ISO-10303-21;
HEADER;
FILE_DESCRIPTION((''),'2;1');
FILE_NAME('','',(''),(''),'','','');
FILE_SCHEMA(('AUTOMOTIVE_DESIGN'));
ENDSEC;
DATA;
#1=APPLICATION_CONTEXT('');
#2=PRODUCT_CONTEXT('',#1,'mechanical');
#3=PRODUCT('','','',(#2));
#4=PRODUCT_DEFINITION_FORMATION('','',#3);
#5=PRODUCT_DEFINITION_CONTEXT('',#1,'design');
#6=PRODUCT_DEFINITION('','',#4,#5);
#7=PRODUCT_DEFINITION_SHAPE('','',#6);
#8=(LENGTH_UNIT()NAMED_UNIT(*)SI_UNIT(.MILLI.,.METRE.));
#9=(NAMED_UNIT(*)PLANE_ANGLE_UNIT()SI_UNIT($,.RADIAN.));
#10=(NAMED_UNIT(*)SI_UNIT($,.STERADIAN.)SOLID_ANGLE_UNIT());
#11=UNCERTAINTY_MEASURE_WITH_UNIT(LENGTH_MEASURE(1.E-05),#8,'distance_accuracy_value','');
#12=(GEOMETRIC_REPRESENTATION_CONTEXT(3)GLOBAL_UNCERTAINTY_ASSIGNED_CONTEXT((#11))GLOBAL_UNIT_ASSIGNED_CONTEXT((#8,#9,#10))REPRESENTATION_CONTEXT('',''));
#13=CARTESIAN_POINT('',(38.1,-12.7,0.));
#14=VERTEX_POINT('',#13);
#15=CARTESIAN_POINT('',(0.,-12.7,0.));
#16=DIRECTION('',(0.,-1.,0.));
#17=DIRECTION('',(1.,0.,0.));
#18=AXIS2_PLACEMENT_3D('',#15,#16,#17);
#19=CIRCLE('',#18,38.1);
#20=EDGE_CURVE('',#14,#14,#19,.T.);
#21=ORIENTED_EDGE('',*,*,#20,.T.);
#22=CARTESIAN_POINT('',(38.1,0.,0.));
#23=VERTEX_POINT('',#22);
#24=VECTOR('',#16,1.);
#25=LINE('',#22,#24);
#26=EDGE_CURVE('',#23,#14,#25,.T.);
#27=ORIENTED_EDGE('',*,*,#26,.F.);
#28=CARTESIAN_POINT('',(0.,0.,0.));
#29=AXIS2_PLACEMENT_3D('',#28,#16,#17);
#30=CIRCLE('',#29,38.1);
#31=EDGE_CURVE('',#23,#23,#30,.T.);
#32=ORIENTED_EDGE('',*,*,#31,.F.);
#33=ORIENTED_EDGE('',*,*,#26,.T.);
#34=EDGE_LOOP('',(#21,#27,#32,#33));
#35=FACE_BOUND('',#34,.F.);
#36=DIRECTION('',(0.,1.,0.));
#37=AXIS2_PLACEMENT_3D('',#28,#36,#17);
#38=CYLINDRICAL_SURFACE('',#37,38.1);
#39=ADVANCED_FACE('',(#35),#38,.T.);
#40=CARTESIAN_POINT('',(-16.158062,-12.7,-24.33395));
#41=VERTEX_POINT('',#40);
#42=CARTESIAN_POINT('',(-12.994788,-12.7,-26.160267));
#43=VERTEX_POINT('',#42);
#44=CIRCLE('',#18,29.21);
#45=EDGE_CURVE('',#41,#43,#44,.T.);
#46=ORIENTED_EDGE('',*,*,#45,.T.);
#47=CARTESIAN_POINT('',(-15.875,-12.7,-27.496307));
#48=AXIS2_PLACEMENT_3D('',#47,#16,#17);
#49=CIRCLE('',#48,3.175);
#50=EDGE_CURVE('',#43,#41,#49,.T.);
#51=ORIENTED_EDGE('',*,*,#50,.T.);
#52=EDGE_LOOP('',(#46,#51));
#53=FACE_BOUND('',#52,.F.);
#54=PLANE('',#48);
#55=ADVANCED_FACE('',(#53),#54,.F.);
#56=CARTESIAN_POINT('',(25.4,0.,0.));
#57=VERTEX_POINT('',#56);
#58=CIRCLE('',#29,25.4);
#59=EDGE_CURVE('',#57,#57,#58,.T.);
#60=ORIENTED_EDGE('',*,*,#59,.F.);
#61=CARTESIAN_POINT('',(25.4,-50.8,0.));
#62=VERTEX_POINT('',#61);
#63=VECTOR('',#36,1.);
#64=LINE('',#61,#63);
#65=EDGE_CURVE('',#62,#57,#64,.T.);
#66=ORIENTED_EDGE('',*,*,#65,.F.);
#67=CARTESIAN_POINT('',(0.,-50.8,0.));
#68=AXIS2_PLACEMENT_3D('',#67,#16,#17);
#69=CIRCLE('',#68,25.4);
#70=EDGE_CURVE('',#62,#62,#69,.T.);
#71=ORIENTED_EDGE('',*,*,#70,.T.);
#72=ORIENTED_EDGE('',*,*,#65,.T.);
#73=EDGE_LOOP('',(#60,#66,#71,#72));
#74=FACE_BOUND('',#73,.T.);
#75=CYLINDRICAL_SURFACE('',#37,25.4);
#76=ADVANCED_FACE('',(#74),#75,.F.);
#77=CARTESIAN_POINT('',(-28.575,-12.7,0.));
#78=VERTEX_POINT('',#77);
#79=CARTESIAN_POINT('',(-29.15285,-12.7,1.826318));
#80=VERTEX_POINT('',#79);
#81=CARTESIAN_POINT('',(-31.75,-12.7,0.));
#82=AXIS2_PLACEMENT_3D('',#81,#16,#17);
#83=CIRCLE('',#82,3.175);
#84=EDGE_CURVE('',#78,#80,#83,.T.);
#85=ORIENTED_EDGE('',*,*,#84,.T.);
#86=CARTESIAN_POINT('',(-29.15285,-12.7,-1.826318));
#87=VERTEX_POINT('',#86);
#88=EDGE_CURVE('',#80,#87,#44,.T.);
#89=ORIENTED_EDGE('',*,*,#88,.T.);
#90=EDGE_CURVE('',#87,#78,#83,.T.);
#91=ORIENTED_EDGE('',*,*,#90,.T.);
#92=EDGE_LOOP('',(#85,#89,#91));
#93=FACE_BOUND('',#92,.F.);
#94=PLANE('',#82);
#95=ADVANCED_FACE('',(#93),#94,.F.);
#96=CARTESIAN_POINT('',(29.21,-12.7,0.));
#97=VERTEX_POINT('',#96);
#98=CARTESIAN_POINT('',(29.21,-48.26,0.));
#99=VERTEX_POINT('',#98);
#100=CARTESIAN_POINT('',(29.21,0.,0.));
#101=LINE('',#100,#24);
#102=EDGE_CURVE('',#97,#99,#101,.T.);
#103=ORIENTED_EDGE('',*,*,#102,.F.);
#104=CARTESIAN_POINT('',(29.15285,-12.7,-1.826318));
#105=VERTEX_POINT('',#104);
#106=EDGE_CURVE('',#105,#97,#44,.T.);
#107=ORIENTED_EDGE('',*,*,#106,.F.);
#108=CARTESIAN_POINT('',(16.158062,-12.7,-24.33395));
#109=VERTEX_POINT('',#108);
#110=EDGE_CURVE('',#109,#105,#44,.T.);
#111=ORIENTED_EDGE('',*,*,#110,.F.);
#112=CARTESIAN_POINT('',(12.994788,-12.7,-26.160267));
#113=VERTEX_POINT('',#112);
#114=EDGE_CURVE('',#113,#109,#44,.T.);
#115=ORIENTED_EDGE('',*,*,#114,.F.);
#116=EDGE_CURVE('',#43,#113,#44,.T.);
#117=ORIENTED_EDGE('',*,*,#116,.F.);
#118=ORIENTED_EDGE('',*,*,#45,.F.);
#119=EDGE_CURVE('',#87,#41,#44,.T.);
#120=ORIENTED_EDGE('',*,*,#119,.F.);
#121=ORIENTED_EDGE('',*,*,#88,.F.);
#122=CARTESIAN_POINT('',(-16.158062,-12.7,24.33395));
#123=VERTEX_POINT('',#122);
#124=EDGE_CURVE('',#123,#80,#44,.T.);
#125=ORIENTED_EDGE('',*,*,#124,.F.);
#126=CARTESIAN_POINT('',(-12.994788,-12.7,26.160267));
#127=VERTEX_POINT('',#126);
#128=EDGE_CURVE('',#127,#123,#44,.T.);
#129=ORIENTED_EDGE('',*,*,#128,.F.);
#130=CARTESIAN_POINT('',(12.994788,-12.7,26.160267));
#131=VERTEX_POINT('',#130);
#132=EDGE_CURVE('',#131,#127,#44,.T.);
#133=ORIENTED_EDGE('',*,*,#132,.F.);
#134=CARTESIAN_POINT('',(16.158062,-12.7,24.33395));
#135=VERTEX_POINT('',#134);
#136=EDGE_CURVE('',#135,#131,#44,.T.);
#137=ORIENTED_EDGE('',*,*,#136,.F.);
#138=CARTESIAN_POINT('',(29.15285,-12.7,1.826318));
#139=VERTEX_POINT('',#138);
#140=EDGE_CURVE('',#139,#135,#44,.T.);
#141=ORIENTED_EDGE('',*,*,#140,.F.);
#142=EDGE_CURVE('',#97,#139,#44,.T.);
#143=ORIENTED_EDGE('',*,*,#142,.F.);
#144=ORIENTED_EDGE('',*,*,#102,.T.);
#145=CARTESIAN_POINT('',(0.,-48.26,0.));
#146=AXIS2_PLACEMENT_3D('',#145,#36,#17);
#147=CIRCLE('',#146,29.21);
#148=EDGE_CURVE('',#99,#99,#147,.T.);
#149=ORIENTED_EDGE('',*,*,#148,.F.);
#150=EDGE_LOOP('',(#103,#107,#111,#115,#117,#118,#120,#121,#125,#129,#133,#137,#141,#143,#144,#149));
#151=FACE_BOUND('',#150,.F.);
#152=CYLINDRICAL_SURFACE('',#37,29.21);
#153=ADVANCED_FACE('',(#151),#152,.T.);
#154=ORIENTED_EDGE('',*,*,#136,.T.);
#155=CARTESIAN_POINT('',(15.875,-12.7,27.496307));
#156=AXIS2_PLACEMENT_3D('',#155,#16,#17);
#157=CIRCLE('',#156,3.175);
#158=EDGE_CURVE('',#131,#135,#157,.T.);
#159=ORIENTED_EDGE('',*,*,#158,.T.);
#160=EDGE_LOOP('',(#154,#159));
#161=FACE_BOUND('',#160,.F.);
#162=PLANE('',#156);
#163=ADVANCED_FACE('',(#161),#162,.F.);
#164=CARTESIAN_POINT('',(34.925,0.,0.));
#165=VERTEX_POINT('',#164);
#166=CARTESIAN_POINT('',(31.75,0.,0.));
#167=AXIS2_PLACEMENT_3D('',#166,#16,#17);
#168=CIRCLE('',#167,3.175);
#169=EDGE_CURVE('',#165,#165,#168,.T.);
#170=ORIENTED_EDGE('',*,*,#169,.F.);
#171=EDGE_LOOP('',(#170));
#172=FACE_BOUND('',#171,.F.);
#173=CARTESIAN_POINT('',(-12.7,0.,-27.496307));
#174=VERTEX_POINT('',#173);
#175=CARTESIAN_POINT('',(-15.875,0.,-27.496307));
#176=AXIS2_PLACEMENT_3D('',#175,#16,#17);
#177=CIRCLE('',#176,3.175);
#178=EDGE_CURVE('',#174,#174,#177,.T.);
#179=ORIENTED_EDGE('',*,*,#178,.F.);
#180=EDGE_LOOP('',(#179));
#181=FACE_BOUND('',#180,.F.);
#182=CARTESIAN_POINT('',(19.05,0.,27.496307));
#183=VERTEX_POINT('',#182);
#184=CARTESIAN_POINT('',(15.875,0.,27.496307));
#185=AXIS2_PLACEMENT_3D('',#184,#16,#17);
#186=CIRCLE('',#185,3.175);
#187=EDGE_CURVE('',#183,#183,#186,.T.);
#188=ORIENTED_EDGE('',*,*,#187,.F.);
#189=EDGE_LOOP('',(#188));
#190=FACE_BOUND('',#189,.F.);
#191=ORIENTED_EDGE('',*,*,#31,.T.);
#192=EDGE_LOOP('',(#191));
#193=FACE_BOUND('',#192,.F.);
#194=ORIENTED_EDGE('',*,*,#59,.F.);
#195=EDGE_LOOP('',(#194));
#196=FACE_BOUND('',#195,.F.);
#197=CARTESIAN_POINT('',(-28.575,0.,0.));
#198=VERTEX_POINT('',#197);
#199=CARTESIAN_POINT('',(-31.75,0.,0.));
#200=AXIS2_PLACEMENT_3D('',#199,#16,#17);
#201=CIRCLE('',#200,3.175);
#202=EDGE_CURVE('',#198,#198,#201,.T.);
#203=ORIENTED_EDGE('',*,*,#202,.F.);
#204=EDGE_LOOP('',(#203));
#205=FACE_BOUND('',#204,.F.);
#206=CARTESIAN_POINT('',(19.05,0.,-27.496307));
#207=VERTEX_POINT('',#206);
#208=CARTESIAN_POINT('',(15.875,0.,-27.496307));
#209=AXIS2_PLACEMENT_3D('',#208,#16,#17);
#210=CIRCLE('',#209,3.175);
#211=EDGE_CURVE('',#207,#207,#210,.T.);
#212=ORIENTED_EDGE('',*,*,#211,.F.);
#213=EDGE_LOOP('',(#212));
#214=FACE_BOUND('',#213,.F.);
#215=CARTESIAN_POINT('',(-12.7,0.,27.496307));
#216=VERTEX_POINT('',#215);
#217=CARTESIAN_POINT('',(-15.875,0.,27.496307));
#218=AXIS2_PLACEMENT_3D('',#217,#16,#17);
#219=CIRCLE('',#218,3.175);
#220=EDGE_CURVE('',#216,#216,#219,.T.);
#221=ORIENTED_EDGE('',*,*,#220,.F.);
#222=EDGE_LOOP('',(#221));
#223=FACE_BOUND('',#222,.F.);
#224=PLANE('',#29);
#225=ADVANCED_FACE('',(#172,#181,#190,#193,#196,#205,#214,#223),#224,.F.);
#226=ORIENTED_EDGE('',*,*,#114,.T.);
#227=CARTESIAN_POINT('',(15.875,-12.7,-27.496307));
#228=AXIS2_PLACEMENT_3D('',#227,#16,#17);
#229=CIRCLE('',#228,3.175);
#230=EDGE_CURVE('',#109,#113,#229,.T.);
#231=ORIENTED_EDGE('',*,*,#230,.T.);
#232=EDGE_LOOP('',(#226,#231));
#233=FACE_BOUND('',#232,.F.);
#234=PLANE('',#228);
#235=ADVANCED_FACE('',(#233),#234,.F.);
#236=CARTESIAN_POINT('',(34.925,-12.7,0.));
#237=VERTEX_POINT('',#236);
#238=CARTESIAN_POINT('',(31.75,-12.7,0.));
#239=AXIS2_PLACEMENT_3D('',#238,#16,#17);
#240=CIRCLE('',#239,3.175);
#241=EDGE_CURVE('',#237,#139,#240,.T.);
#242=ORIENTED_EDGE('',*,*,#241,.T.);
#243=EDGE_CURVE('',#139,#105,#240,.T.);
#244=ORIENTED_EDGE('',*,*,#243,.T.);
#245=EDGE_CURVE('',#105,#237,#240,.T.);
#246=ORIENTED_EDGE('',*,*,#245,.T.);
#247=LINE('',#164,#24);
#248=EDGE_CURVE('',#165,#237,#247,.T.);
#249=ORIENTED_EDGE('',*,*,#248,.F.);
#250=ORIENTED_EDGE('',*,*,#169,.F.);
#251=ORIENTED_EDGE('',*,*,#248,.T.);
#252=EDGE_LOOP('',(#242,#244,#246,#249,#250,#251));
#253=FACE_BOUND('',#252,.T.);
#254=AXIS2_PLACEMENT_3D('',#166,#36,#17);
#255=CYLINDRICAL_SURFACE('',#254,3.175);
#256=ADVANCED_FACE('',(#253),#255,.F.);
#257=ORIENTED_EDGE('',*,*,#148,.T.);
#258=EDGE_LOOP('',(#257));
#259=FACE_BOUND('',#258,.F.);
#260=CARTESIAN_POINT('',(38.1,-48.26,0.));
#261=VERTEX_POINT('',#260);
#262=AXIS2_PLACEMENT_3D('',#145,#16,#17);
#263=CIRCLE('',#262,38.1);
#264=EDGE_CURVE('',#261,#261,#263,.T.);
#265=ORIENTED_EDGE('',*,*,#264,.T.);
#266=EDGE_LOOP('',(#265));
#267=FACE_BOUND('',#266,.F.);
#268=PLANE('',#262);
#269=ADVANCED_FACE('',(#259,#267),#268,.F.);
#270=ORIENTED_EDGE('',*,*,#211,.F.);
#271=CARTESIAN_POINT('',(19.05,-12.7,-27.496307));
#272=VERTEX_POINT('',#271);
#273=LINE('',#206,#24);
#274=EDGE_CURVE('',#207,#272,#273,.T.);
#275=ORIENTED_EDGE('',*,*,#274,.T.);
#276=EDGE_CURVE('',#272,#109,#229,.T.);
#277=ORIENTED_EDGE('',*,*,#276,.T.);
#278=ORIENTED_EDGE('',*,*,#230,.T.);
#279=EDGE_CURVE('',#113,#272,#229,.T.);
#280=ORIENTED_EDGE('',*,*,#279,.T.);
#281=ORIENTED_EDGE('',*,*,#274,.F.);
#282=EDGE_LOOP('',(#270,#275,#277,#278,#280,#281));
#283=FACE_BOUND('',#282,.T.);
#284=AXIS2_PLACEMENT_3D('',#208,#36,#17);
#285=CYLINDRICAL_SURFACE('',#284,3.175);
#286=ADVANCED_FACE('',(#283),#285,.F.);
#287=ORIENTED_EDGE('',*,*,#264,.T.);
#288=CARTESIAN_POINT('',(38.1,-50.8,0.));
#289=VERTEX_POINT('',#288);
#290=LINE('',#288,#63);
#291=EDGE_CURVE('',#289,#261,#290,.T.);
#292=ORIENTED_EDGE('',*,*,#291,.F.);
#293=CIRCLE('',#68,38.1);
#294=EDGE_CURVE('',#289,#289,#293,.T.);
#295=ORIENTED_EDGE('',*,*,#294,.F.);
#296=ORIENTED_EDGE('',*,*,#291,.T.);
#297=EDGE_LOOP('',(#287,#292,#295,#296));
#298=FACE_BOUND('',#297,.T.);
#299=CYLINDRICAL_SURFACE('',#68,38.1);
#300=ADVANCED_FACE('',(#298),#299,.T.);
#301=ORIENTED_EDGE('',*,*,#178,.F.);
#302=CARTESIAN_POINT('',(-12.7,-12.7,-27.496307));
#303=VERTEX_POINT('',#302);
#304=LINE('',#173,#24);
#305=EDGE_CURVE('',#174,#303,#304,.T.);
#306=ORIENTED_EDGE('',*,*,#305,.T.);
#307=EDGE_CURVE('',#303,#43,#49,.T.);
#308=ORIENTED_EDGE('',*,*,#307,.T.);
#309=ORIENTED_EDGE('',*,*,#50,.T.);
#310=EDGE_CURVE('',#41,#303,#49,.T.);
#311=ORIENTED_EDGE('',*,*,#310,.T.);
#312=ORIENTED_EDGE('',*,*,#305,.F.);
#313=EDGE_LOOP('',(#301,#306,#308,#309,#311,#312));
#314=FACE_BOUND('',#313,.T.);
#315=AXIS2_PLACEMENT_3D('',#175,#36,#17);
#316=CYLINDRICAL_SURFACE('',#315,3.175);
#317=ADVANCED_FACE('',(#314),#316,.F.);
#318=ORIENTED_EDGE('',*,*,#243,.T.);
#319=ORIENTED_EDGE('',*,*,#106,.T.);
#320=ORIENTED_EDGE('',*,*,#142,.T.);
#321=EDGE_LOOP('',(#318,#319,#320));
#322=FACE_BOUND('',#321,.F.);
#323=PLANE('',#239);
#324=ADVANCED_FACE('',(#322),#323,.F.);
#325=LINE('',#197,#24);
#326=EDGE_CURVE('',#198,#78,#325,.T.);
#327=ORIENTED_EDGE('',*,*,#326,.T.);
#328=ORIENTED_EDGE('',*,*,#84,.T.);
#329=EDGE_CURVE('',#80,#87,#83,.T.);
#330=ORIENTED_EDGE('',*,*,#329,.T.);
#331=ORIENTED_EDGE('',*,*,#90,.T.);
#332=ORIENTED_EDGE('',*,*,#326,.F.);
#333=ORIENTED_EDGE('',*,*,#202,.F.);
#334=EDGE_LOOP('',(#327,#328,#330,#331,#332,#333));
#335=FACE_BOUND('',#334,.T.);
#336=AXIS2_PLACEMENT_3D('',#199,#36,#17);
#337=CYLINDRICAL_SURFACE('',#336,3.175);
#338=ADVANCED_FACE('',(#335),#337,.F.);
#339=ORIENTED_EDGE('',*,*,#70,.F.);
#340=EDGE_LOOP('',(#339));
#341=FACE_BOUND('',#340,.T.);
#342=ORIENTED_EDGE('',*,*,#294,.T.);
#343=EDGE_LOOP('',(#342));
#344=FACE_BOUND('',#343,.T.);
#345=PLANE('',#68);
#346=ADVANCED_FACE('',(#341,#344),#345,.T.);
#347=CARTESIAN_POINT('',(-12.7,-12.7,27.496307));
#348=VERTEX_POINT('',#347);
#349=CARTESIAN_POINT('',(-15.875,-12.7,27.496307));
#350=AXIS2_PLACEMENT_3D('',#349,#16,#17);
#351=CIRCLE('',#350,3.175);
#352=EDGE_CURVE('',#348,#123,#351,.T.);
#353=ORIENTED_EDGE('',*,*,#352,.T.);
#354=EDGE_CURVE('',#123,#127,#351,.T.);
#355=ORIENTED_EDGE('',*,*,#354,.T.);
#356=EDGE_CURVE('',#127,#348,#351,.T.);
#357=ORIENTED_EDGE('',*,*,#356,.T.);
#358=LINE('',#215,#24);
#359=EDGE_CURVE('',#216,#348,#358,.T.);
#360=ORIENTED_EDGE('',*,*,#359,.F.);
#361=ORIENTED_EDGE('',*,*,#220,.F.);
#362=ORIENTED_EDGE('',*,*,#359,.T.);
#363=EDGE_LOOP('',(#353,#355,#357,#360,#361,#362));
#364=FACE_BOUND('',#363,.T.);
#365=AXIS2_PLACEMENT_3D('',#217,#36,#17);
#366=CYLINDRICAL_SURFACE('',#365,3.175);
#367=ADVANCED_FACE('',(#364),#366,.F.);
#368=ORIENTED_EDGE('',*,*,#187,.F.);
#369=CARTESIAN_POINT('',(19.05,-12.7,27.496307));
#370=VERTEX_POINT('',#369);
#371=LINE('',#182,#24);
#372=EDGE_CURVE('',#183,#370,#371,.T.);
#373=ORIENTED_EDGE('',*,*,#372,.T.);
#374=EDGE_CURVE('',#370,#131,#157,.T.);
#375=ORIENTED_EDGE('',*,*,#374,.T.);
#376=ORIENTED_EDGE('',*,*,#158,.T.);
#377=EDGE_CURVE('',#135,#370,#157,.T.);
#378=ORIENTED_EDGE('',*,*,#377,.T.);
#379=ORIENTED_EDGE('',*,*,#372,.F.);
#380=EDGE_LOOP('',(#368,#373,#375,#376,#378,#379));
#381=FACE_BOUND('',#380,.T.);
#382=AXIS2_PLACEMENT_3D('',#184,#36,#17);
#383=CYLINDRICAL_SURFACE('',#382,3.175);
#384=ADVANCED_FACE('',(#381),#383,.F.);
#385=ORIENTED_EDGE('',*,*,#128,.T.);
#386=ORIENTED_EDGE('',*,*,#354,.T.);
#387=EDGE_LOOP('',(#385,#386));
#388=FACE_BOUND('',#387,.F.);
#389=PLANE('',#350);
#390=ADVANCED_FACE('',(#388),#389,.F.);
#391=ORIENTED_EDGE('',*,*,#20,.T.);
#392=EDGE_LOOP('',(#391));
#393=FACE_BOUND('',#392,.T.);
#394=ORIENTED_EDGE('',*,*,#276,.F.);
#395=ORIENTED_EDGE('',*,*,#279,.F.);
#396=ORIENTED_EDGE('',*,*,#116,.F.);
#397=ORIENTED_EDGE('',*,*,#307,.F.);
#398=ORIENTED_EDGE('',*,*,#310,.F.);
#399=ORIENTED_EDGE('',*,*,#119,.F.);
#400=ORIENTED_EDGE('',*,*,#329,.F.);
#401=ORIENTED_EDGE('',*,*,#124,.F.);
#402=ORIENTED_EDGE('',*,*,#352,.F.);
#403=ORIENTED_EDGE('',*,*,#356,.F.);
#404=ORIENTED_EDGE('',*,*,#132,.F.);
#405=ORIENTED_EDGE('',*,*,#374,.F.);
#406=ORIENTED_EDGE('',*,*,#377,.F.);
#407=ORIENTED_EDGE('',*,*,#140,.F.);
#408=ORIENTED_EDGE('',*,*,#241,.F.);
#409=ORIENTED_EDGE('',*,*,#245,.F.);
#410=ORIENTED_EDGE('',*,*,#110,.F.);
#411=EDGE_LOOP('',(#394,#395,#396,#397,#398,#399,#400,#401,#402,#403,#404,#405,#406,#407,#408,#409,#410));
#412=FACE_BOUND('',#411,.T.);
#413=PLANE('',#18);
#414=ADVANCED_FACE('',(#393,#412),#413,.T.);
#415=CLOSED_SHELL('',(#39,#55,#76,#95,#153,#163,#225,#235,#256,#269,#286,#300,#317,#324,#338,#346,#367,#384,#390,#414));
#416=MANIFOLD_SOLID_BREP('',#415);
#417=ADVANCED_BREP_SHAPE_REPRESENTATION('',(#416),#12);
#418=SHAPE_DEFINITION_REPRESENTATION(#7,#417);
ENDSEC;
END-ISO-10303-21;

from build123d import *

# Parameters (mm, degrees)
F0_R     = 29.21
F0_R_2   = 25.4
F1_DEPTH = 50.8
F0_R_3   = 38.1
F2_DEPTH = 12.7
F3_R     = 3.175
F4_DEPTH = 12.7
F5_R     = 38.1
F5_R_2   = 25.4
F6_DEPTH = 2.54


with BuildPart() as f1:
    # F0 (on Front) → F1 (new body)
    with BuildSketch(Plane.XZ):
        Circle(F0_R)
        Circle(F0_R_2, mode=Mode.SUBTRACT)
    extrude(amount=F1_DEPTH)

    # F0 (on Front) → F2 (join)
    with BuildSketch(Plane.XZ):
        Circle(F0_R_3)
        Circle(F0_R, mode=Mode.SUBTRACT)
    extrude(amount=F2_DEPTH)

    # F3 (on face) → F4 (cut)
    with BuildSketch(Plane.XZ):
        with Locations((-31.75, 0)):
            Circle(F3_R)
        with Locations((-15.875, -27.496307)):
            Circle(F3_R)
        with Locations((15.875, -27.496307)):
            Circle(F3_R)
        with Locations((31.75, 0)):
            Circle(F3_R)
        with Locations((15.875, 27.496307)):
            Circle(F3_R)
        with Locations((-15.875, 27.496307)):
            Circle(F3_R)
    extrude(amount=F4_DEPTH, mode=Mode.SUBTRACT)

    # F5 (on face) → F6 (join)
    with BuildSketch(Plane.XZ.offset(50.8)):
        Circle(F5_R)
        Circle(F5_R_2, mode=Mode.SUBTRACT)
    extrude(amount=-F6_DEPTH)


solid = f1.part
